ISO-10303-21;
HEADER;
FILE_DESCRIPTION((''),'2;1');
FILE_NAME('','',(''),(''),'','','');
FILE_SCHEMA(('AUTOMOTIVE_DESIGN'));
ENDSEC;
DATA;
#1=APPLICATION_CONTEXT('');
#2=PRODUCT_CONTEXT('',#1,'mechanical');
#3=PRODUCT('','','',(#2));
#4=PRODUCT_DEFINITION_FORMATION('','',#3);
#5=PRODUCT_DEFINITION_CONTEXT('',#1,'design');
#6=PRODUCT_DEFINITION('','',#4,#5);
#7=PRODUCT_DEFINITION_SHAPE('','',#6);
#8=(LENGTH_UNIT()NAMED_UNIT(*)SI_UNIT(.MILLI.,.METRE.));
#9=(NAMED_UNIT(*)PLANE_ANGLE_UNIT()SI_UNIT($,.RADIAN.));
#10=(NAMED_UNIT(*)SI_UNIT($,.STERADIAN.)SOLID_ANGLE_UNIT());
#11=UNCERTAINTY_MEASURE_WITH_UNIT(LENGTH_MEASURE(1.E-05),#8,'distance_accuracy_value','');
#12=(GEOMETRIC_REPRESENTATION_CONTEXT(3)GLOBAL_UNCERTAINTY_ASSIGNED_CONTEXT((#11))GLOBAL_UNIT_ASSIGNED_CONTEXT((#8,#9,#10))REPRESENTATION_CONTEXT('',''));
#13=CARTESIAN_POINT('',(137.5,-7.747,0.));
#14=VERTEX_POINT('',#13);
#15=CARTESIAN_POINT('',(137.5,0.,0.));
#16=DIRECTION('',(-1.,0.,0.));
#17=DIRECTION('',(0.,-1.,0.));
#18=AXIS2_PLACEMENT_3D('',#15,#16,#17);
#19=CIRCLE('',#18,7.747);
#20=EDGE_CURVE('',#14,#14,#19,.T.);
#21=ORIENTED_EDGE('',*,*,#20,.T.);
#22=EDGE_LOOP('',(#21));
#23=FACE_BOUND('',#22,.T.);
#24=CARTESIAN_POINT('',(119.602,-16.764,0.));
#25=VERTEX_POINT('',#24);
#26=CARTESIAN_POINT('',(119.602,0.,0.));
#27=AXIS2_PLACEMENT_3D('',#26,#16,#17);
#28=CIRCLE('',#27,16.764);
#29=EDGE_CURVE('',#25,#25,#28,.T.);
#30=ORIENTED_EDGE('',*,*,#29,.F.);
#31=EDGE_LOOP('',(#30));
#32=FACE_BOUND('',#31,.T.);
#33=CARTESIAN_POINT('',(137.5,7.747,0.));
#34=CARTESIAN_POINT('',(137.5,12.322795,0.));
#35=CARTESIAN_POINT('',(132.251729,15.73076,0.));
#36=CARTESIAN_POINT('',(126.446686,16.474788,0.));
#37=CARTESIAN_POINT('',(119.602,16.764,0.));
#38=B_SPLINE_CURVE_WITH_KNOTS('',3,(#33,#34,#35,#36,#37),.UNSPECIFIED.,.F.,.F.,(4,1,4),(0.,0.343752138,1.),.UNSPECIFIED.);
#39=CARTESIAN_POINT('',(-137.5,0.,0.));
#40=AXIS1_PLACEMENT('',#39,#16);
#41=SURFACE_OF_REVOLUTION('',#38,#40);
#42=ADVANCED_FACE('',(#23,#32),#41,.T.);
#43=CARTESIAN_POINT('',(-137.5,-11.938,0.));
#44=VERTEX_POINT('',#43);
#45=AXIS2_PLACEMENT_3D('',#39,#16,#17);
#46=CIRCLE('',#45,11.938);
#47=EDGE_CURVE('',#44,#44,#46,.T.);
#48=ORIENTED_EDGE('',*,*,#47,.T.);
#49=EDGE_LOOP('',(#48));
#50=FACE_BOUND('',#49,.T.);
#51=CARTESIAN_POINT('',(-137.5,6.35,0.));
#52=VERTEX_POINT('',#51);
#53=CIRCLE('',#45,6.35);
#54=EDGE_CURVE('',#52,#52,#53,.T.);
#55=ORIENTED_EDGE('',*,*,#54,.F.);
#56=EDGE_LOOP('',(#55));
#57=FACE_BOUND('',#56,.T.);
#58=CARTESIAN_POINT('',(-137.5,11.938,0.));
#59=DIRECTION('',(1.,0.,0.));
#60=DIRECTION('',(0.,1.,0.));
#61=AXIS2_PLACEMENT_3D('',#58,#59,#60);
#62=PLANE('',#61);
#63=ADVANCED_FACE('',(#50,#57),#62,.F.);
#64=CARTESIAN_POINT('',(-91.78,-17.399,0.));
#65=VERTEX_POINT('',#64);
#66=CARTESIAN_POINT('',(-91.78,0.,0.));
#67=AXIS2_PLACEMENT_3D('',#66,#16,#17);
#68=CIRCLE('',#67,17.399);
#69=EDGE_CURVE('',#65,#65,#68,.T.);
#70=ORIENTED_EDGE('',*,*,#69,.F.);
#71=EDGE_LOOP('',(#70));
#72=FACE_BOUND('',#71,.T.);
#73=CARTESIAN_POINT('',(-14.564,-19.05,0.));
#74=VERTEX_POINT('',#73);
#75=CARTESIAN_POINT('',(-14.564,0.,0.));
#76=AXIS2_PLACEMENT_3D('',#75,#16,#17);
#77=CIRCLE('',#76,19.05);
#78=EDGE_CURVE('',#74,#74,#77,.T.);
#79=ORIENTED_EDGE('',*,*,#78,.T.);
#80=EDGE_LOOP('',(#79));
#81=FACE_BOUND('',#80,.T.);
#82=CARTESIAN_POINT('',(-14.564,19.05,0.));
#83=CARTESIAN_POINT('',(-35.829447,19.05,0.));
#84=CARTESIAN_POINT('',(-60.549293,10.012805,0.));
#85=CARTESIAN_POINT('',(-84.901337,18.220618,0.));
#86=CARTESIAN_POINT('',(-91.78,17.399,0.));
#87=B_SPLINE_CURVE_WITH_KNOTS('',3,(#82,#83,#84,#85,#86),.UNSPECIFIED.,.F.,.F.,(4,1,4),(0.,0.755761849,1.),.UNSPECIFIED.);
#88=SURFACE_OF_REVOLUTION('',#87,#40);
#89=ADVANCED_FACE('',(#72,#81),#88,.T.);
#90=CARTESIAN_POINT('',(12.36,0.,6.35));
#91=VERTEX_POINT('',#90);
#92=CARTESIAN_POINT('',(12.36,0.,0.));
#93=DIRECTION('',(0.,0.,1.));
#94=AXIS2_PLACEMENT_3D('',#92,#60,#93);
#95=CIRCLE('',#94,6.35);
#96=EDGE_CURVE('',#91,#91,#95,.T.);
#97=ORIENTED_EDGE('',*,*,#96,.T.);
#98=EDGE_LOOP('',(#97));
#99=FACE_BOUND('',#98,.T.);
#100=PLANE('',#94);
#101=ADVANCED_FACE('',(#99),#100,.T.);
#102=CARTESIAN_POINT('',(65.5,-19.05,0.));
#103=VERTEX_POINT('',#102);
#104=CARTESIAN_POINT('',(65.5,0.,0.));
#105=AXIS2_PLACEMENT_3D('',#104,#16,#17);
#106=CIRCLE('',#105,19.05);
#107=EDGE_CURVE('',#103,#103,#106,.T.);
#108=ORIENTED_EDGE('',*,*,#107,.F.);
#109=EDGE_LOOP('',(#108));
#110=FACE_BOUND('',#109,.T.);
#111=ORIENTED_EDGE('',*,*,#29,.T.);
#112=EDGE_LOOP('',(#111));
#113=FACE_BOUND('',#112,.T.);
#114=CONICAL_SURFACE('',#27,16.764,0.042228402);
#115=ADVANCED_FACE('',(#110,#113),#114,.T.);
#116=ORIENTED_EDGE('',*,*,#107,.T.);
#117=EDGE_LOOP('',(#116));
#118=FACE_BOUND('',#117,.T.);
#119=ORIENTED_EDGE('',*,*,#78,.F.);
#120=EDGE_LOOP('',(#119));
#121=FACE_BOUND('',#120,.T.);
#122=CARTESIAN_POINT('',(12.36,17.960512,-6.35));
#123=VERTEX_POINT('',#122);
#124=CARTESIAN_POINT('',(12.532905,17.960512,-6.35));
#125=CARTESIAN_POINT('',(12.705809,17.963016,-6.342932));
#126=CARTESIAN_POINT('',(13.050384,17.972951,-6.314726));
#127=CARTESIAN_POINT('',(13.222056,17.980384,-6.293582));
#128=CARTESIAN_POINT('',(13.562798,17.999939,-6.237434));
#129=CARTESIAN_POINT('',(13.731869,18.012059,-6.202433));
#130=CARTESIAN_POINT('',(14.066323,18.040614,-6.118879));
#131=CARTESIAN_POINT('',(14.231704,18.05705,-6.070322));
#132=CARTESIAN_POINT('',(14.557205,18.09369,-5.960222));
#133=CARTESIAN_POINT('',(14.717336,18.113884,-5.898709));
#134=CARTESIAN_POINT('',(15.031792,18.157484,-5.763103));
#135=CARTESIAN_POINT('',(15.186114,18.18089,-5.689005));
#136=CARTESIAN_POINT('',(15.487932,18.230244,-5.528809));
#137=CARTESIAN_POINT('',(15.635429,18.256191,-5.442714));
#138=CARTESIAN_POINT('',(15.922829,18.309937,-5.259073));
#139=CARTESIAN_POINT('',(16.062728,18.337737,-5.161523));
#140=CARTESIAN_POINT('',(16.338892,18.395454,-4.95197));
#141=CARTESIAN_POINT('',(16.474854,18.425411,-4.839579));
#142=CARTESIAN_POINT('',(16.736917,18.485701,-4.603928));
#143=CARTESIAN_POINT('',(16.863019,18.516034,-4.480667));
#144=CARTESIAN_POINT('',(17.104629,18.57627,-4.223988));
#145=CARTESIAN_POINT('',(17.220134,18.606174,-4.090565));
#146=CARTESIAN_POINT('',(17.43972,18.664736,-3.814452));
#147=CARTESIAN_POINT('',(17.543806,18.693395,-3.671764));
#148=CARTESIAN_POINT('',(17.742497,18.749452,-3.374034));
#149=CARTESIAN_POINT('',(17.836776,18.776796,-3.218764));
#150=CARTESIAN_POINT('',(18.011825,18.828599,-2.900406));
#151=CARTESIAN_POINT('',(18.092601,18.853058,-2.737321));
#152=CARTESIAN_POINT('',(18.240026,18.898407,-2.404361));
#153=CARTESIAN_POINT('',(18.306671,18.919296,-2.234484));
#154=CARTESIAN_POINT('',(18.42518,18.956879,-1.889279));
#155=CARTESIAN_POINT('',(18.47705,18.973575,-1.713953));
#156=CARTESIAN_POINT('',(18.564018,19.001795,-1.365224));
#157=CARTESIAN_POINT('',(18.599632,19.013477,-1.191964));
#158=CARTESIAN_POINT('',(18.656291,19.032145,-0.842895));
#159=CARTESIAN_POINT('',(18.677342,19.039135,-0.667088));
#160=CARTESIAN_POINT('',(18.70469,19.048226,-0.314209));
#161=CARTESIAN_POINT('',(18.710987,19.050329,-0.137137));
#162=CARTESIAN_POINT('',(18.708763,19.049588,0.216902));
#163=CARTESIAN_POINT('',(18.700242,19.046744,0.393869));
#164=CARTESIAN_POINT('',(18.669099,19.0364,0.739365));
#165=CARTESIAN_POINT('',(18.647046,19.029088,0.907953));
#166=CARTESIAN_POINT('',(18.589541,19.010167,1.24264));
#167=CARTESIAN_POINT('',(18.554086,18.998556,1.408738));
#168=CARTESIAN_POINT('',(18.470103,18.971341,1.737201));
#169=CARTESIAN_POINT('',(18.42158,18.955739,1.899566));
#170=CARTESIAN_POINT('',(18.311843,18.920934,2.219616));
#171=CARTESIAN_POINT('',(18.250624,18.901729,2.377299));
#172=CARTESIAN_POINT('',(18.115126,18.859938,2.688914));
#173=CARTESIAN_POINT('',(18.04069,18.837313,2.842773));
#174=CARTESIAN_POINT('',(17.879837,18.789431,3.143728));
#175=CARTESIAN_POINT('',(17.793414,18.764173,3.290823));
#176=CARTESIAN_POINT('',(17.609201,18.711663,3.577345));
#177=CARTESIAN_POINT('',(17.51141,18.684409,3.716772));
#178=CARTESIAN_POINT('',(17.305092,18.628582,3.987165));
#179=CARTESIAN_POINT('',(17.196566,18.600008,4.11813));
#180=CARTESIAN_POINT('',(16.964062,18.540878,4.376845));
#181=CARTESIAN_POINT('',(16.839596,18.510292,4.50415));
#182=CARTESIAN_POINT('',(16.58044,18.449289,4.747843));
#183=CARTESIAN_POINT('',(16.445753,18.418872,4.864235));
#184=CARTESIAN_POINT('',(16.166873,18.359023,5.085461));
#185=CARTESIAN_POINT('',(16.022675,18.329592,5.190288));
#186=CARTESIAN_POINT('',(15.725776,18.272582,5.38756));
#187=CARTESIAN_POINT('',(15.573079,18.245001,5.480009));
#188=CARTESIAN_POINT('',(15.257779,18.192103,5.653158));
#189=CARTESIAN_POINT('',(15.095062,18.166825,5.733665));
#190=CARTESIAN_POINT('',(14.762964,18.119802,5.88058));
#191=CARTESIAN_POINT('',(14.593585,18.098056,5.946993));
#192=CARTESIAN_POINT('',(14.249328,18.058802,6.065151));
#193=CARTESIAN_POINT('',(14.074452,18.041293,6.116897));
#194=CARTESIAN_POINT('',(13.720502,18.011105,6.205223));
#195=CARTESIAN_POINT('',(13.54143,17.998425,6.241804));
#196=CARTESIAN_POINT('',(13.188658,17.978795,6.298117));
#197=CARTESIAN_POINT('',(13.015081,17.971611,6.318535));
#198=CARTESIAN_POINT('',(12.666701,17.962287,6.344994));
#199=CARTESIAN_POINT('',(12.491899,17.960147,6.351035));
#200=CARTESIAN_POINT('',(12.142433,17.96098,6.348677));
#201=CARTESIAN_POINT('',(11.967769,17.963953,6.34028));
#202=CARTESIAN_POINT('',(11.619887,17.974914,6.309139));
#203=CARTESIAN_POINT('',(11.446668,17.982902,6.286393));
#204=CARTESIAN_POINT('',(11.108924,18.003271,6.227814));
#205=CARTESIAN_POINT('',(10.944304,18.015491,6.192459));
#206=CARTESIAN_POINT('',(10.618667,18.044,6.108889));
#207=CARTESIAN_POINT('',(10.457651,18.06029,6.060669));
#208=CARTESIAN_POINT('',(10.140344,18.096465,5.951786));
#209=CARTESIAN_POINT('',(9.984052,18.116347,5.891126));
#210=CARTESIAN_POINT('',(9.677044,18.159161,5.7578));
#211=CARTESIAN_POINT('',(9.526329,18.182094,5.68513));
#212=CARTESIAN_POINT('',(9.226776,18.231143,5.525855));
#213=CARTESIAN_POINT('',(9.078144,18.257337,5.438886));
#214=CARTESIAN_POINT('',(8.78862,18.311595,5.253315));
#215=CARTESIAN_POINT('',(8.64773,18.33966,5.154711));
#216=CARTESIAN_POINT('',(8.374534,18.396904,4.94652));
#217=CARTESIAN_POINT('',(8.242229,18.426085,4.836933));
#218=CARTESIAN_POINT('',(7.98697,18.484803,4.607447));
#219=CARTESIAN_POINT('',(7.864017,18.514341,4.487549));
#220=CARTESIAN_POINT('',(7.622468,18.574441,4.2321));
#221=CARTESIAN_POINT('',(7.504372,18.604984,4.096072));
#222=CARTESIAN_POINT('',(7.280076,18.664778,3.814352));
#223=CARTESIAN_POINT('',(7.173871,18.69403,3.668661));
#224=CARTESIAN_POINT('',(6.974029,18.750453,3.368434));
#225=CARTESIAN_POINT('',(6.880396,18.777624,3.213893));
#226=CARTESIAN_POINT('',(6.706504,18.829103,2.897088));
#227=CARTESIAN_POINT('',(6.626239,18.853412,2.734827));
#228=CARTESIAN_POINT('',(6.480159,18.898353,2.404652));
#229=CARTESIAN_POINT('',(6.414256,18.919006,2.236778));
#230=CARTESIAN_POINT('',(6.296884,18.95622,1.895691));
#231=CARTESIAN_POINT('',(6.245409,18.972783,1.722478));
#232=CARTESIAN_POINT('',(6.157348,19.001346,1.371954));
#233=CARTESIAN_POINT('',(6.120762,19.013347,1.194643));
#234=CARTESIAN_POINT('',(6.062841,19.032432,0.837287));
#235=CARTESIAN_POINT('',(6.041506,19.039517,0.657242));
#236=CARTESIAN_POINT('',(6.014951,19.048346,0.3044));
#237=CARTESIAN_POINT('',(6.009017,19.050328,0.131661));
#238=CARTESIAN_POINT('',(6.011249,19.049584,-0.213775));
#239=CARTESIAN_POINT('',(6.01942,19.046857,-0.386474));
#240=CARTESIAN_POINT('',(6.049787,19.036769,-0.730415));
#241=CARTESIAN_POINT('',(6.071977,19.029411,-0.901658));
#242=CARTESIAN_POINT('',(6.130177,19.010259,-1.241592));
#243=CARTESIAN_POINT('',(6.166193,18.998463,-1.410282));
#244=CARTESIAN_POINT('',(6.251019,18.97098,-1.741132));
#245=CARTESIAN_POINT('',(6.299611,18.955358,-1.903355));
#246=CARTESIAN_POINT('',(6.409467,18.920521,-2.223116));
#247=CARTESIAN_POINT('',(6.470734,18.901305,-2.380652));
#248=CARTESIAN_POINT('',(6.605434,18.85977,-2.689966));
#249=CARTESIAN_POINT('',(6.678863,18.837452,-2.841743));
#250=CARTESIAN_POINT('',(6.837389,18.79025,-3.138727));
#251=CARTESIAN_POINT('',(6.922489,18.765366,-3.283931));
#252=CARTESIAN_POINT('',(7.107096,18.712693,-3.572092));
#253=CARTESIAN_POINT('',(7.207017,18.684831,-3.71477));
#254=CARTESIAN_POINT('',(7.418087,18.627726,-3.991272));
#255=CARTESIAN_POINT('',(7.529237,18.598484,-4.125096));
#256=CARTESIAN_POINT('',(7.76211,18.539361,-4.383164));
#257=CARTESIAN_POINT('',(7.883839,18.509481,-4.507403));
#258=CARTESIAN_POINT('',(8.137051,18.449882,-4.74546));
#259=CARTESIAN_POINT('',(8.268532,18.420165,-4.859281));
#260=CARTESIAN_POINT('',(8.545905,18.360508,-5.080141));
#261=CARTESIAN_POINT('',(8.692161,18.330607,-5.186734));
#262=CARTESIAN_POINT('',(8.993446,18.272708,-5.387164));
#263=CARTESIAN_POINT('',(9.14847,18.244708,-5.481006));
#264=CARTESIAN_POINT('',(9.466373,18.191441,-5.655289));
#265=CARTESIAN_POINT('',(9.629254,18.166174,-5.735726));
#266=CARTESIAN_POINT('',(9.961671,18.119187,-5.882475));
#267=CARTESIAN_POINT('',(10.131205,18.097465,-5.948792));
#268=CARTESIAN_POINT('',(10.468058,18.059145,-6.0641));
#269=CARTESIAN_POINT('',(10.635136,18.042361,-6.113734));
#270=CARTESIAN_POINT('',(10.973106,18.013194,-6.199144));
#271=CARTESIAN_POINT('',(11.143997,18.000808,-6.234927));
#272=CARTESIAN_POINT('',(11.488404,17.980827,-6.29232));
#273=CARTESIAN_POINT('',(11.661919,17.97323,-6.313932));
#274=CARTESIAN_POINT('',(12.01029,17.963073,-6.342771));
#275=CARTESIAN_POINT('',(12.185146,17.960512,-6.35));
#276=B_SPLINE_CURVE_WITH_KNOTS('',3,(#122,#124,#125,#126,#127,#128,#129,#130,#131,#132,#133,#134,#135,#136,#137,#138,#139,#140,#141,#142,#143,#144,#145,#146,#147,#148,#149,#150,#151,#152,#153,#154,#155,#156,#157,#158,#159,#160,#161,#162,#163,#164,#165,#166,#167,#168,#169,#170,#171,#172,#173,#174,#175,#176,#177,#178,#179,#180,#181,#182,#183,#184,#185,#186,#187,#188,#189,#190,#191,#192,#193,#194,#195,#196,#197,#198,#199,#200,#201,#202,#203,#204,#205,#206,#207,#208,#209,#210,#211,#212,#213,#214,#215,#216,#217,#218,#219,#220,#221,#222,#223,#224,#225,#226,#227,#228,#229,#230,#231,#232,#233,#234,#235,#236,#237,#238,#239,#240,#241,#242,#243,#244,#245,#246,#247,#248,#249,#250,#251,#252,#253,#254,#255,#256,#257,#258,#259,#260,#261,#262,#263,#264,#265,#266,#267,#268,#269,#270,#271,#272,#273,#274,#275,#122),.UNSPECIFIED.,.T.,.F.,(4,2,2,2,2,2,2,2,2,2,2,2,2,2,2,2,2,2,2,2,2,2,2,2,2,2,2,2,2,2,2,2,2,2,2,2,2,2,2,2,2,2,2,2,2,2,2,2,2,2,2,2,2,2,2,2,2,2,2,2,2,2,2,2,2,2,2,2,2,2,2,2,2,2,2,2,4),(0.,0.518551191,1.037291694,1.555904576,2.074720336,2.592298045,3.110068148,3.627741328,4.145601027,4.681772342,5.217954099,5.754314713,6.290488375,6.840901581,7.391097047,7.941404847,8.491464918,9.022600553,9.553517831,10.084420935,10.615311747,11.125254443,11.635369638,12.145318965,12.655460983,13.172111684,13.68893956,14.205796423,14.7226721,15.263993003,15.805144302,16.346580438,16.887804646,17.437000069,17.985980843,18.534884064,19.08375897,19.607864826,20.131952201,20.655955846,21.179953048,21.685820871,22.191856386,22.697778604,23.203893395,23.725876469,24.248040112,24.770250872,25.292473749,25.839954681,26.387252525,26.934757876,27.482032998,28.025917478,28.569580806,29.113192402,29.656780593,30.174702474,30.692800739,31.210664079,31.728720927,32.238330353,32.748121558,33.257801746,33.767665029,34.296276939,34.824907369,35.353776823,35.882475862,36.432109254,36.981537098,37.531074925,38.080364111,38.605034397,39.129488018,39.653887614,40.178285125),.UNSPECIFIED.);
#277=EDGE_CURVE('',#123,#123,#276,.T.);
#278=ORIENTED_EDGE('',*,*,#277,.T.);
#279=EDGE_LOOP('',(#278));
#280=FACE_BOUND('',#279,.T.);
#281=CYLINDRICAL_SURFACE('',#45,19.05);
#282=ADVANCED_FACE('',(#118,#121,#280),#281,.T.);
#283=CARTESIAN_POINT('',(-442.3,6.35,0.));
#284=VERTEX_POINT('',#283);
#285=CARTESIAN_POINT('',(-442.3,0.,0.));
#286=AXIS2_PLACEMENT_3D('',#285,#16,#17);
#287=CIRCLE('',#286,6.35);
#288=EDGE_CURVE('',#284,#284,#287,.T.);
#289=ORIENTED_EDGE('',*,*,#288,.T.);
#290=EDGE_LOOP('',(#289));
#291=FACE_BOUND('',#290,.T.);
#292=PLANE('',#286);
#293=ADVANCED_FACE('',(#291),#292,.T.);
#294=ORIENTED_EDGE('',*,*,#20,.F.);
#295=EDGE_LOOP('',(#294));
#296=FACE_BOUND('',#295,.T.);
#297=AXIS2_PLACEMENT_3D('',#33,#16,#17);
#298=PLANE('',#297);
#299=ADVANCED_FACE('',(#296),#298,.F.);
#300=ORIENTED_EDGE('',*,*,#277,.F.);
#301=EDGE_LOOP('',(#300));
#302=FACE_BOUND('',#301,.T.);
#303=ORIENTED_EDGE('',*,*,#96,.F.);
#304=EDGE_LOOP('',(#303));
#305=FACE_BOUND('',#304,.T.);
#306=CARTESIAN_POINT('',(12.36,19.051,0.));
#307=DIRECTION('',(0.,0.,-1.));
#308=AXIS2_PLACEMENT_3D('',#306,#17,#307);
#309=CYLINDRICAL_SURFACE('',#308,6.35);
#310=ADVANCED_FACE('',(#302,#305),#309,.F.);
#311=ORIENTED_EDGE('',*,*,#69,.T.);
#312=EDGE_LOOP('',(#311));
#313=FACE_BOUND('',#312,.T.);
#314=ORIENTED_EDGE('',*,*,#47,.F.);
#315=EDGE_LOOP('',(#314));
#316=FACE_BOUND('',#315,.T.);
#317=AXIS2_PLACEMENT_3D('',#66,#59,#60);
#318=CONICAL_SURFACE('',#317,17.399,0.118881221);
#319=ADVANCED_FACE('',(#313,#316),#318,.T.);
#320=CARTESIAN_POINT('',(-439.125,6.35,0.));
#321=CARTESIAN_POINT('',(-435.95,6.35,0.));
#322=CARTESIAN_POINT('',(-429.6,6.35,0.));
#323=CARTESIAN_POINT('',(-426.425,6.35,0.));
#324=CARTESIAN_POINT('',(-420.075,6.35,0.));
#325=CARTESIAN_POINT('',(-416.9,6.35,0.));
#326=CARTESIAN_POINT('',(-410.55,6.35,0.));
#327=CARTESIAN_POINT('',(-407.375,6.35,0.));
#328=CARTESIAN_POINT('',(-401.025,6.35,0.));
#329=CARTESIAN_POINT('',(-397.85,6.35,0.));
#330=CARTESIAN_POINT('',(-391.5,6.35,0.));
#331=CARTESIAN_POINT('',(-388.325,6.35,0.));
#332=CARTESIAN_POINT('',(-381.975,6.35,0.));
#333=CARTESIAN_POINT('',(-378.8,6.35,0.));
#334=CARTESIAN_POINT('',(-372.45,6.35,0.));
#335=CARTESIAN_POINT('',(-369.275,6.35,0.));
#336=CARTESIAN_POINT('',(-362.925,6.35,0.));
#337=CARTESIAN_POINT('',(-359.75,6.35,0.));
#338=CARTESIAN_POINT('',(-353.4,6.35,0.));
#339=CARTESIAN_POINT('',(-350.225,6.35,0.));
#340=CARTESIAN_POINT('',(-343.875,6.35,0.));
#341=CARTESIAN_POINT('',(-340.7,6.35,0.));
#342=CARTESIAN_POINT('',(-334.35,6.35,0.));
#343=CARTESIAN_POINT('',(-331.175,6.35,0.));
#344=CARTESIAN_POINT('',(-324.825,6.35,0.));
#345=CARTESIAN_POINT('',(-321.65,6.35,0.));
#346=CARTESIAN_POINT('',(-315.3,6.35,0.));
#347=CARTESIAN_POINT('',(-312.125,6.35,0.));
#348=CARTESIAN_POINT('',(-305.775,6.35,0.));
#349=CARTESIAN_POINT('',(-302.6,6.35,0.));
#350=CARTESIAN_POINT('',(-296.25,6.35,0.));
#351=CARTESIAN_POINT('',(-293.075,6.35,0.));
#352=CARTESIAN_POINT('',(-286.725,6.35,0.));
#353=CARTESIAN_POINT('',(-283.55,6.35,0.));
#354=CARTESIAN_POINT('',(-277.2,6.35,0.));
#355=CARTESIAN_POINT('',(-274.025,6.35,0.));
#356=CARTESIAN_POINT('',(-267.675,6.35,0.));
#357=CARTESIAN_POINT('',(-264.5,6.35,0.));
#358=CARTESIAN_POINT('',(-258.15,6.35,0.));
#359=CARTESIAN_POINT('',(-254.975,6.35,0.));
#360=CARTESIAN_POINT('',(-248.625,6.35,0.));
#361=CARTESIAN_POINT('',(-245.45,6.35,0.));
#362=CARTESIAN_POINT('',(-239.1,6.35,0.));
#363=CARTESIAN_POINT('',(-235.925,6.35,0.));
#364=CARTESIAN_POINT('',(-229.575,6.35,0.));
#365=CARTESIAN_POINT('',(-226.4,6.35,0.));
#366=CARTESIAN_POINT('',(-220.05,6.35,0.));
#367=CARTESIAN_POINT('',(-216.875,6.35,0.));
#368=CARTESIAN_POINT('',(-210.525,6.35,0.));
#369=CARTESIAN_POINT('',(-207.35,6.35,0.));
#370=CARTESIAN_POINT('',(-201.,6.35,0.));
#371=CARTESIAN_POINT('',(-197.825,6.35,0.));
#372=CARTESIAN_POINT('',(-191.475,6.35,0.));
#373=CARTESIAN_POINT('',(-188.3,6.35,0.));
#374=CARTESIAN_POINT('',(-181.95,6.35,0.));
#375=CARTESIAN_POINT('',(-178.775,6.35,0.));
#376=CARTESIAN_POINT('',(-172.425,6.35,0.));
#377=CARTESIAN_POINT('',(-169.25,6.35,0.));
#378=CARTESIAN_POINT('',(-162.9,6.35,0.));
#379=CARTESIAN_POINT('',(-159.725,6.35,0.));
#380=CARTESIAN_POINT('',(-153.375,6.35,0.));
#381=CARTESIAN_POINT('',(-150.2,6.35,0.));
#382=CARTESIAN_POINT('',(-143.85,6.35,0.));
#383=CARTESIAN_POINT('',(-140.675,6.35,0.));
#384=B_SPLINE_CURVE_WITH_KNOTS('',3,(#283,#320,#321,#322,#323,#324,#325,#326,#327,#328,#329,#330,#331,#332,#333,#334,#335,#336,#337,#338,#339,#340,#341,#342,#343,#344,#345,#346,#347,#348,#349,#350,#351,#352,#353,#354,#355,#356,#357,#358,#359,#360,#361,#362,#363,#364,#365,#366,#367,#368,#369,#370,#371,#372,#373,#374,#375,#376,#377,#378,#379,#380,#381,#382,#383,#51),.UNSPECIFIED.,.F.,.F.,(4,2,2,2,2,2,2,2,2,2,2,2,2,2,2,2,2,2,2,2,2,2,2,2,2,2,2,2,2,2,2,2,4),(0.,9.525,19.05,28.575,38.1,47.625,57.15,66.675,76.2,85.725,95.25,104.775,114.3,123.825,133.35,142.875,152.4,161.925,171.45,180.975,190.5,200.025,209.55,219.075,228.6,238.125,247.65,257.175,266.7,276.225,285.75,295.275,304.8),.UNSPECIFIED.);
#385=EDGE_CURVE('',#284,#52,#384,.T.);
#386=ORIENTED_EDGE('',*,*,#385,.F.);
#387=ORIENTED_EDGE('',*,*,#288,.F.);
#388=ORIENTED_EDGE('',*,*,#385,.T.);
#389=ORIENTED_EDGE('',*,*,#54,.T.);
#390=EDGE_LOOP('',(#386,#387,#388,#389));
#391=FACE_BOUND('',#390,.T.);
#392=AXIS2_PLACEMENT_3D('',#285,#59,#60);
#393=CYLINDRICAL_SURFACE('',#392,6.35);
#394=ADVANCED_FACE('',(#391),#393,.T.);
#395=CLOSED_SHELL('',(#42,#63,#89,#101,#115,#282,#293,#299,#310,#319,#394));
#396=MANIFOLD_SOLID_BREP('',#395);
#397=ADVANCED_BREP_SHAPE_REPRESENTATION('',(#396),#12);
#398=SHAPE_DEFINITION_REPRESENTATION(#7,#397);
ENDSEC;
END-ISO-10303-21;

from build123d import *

# Parameters (mm, degrees)
CUT_EXTRUDE1_REACH      = 142.114
CUT_EXTRUDE1_END_RADIUS = 19.05
SKETCH3_R               = 6.35
SKETCH6_R               = 6.35
BOSS_EXTRUDE1_DEPTH     = 304.8


with BuildPart() as part:
    # Sketch1 → Revolve1 (revolve)
    with BuildSketch(Plane.XY, mode=Mode.PRIVATE) as revolve1_sk:
        with BuildLine():
            Line((-137.5, 0), (137.5, 0))
            Line((137.5, 0), (137.5, 7.747))
            add(Edge.make_bspline(
                [(119.602, 16.764), (126.446685513, 16.474787936), (132.251729161, 15.730759902), (137.5, 12.322795174), (137.5, 7.747)],
                knots=[0, 0, 0, 0, 0.656247862, 1, 1, 1, 1], degree=3))
            Line((119.602, 16.764), (65.5, 19.05))
            Line((65.5, 19.05), (-14.564, 19.05))
            add(Edge.make_bspline(
                [(-91.78, 17.399), (-84.901336541, 18.220618135), (-60.549292723, 10.012805319), (-35.82944709, 19.05), (-14.564, 19.05)],
                knots=[0, 0, 0, 0, 0.244238151, 1, 1, 1, 1], degree=3))
            Line((-91.78, 17.399), (-137.5, 11.938))
            Line((-137.5, 11.938), (-137.5, 0))
        make_face()
    revolve(revolve1_sk.sketch.rotate(Axis((-137.5, 0, 0), (1, 0, 0)), 180), axis=Axis((-137.5, 0, 0), (1, 0, 0)))

    # Cut-Extrude1: up to this cylinder (the profile starts inside it)
    cut_extrude1_end = Plane(origin=(12.36, 0, 0), z_dir=(-1, 0, 0)) * Cylinder(CUT_EXTRUDE1_END_RADIUS, 323.328, mode=Mode.PRIVATE)
    # Sketch3 → Cut-Extrude1 (cut, up to the surface)
    with BuildSketch(Plane(origin=(0, 0, 0), x_dir=(1, 0, 0), z_dir=(0, 1, 0)), mode=Mode.PRIVATE) as cut_extrude1_sk1:
        with Locations(Location((12.36, 0, 0), (0, 0, 90))):
            Circle(SKETCH3_R)
    cut_extrude1_tool1 = extrude(cut_extrude1_sk1.sketch, amount=CUT_EXTRUDE1_REACH, mode=Mode.PRIVATE) & cut_extrude1_end
    add(cut_extrude1_tool1.solids().sort_by_distance((12.36, 0, 0))[0], mode=Mode.SUBTRACT)

    # Sketch6 → Boss-Extrude1 (add)
    with BuildSketch(Plane.ZY.offset(137.5)):
        with Locations(Location((0, 0, 0), (0, 0, 90))):
            Circle(SKETCH6_R)
    extrude(amount=BOSS_EXTRUDE1_DEPTH)


solid = part.part
